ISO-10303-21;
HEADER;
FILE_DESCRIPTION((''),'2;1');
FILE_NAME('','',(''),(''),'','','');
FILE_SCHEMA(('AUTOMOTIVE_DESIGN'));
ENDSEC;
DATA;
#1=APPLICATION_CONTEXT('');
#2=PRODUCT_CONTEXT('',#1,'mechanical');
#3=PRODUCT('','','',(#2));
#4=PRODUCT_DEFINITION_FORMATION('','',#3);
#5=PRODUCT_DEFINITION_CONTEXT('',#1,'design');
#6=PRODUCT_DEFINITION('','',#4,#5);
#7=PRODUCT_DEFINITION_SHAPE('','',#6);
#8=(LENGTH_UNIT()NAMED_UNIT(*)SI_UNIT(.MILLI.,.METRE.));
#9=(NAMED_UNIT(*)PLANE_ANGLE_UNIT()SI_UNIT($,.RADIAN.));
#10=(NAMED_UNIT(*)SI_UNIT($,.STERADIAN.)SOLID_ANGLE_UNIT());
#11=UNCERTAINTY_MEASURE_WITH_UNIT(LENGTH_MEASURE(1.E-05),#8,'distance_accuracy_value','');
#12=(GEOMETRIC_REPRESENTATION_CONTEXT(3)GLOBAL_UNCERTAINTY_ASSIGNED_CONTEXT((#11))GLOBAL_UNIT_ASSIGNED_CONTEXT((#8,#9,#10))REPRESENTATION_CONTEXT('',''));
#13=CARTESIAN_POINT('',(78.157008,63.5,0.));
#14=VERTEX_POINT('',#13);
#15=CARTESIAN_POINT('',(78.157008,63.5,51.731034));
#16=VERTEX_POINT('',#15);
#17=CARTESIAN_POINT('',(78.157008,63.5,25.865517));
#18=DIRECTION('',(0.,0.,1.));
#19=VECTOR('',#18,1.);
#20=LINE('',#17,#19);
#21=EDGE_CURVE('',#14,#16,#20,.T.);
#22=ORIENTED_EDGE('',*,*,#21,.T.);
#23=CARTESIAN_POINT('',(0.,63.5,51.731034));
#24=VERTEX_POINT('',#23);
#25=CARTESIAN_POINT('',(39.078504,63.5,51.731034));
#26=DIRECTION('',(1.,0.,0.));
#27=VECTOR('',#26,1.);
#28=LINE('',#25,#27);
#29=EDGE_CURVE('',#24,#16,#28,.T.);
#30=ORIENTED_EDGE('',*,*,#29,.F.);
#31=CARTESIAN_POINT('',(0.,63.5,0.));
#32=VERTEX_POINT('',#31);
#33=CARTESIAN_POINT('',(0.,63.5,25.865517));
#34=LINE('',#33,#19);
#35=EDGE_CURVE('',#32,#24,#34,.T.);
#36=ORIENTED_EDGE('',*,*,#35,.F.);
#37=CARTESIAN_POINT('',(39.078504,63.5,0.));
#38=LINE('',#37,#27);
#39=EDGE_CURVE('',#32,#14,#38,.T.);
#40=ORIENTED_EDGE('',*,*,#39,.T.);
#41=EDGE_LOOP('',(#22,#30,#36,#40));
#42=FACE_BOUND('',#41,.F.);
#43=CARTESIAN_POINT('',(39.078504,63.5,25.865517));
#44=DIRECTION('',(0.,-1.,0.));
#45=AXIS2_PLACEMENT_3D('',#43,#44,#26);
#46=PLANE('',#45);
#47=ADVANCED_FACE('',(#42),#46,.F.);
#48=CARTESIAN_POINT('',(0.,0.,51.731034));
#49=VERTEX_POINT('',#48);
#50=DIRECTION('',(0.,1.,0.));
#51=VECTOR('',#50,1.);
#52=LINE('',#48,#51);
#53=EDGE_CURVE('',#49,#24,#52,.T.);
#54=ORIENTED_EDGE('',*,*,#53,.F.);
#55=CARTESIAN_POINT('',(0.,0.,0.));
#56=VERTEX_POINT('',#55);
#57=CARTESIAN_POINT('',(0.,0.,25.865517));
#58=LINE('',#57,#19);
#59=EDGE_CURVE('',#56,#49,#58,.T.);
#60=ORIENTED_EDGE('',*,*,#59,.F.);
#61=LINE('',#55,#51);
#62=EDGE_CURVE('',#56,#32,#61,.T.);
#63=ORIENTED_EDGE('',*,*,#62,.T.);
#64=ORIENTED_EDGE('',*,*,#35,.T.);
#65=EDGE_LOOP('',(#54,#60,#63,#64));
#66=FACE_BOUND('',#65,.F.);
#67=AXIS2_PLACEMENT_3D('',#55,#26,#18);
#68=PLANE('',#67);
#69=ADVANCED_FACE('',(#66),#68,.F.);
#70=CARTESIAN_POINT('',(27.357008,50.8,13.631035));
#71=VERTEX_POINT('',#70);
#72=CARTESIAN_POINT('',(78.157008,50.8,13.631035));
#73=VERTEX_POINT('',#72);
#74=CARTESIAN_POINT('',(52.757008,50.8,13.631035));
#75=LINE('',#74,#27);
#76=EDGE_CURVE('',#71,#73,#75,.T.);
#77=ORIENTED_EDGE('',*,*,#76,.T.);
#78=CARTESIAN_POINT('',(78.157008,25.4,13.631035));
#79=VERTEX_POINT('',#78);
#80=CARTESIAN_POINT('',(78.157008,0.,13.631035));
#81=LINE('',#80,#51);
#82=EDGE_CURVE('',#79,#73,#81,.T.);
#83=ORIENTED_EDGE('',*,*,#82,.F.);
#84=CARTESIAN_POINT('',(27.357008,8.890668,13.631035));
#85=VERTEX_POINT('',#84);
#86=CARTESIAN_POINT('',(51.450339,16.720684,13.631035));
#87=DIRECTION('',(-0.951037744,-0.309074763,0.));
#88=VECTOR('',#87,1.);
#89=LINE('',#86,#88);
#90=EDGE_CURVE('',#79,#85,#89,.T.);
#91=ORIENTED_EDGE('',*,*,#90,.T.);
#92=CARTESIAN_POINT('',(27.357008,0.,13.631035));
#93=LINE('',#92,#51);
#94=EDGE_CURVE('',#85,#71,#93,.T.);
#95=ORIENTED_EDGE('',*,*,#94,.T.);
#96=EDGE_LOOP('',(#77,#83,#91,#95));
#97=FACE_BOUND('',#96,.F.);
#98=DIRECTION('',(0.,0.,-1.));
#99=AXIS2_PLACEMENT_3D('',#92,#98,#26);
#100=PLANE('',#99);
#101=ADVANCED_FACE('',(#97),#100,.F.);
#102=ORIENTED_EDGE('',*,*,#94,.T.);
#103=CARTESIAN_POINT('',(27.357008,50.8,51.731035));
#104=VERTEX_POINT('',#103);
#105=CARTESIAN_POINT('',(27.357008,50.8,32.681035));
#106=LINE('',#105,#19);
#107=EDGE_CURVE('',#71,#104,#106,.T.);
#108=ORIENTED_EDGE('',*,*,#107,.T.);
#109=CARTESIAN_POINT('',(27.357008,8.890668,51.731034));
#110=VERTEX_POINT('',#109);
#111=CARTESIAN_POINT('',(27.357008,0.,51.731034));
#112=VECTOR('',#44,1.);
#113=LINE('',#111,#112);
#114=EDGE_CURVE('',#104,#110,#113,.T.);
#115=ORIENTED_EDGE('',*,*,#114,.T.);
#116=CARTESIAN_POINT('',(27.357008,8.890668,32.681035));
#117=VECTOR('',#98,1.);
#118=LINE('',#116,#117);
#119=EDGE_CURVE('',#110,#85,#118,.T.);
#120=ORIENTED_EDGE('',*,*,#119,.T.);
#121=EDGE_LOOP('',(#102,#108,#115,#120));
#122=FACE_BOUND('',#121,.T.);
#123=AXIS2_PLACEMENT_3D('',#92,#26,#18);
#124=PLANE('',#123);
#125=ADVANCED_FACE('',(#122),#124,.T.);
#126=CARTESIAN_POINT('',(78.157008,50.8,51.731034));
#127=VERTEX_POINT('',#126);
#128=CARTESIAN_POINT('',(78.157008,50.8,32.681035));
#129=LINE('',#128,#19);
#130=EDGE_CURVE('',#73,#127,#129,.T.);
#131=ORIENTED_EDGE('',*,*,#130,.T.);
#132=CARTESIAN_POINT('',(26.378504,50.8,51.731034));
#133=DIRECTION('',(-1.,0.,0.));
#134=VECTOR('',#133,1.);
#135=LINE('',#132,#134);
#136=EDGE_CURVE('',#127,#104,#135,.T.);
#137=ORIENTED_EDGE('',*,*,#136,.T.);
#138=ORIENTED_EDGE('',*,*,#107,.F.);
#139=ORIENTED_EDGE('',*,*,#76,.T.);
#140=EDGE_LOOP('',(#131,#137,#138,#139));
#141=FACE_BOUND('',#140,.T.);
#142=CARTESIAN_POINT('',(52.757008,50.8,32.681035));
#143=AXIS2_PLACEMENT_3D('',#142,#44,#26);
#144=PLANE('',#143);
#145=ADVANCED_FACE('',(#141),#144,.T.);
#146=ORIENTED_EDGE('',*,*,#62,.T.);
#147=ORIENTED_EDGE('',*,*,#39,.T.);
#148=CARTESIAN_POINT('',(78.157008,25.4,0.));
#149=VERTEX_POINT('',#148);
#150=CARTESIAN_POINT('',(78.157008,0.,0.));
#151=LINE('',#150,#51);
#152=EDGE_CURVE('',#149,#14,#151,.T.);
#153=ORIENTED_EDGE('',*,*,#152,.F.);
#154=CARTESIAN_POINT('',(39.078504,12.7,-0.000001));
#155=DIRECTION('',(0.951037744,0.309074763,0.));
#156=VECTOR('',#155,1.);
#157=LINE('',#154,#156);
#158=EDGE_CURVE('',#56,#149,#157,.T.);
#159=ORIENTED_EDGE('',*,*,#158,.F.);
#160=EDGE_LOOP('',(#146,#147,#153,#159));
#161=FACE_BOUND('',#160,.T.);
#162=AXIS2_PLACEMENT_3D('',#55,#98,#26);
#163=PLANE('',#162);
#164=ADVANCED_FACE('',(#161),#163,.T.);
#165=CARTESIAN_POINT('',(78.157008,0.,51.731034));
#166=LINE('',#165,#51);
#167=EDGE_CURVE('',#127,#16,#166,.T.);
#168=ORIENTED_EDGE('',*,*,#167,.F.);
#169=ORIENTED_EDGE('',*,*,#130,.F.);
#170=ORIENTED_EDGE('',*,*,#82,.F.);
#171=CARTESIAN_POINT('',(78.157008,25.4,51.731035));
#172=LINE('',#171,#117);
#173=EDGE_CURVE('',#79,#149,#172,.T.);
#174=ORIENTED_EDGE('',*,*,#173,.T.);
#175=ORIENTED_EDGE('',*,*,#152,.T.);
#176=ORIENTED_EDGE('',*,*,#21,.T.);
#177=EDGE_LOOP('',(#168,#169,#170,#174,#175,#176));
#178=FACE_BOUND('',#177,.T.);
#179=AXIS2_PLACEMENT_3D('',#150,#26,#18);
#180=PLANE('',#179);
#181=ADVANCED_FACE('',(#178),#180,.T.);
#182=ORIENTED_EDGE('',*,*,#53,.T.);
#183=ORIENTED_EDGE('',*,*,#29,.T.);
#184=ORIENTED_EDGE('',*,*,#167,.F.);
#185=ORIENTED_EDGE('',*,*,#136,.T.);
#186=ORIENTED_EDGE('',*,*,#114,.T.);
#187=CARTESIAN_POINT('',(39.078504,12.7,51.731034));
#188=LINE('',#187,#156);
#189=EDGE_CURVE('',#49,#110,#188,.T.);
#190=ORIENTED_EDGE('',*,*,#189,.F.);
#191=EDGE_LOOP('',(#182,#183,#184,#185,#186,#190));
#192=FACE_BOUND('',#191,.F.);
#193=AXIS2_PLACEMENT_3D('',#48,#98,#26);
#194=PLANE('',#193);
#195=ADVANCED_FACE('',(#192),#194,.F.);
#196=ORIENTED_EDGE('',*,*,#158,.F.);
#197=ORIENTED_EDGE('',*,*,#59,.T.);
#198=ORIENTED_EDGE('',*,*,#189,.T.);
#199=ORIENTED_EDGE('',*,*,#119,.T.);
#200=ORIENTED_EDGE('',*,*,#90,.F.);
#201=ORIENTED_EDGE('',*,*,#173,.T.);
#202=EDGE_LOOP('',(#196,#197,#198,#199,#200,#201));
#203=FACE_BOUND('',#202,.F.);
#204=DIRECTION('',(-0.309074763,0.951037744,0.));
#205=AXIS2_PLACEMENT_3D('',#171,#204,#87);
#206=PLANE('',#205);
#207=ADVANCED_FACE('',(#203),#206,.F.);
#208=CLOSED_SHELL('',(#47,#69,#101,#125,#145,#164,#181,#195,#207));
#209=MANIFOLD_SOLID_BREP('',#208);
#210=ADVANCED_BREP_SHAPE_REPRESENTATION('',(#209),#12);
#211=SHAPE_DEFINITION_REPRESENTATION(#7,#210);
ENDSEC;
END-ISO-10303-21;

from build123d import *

# Parameters (mm, degrees)
F0_W     = 78.157008
F0_H     = 51.731035
F1_DEPTH = 63.5
F3_DEPTH = 51.732035
F4_W     = 50.8
F4_H     = 38.1
F5_DEPTH = 50.8


with BuildPart() as f1:
    # F0 (on Front) → F1 (new body)
    with BuildSketch(Plane.XZ):
        with Locations((39.078504, 25.865517)):
            Rectangle(F0_W, F0_H)
    extrude(amount=-F1_DEPTH)

    # F2 (on face) → F3 (cut, through all)
    with BuildSketch(Plane.XY.offset(51.731035)):
        Polygon((78.157008, 25.4), (0, 0), (78.157008, 0), align=None)
    extrude(amount=-F3_DEPTH, mode=Mode.SUBTRACT)

    # F4 (on Front) → F5 (cut)
    with BuildSketch(Plane.XZ):
        with Locations((52.757008, 32.681035)):
            Rectangle(F4_W, F4_H)
    extrude(amount=-F5_DEPTH, mode=Mode.SUBTRACT)


solid = f1.part
